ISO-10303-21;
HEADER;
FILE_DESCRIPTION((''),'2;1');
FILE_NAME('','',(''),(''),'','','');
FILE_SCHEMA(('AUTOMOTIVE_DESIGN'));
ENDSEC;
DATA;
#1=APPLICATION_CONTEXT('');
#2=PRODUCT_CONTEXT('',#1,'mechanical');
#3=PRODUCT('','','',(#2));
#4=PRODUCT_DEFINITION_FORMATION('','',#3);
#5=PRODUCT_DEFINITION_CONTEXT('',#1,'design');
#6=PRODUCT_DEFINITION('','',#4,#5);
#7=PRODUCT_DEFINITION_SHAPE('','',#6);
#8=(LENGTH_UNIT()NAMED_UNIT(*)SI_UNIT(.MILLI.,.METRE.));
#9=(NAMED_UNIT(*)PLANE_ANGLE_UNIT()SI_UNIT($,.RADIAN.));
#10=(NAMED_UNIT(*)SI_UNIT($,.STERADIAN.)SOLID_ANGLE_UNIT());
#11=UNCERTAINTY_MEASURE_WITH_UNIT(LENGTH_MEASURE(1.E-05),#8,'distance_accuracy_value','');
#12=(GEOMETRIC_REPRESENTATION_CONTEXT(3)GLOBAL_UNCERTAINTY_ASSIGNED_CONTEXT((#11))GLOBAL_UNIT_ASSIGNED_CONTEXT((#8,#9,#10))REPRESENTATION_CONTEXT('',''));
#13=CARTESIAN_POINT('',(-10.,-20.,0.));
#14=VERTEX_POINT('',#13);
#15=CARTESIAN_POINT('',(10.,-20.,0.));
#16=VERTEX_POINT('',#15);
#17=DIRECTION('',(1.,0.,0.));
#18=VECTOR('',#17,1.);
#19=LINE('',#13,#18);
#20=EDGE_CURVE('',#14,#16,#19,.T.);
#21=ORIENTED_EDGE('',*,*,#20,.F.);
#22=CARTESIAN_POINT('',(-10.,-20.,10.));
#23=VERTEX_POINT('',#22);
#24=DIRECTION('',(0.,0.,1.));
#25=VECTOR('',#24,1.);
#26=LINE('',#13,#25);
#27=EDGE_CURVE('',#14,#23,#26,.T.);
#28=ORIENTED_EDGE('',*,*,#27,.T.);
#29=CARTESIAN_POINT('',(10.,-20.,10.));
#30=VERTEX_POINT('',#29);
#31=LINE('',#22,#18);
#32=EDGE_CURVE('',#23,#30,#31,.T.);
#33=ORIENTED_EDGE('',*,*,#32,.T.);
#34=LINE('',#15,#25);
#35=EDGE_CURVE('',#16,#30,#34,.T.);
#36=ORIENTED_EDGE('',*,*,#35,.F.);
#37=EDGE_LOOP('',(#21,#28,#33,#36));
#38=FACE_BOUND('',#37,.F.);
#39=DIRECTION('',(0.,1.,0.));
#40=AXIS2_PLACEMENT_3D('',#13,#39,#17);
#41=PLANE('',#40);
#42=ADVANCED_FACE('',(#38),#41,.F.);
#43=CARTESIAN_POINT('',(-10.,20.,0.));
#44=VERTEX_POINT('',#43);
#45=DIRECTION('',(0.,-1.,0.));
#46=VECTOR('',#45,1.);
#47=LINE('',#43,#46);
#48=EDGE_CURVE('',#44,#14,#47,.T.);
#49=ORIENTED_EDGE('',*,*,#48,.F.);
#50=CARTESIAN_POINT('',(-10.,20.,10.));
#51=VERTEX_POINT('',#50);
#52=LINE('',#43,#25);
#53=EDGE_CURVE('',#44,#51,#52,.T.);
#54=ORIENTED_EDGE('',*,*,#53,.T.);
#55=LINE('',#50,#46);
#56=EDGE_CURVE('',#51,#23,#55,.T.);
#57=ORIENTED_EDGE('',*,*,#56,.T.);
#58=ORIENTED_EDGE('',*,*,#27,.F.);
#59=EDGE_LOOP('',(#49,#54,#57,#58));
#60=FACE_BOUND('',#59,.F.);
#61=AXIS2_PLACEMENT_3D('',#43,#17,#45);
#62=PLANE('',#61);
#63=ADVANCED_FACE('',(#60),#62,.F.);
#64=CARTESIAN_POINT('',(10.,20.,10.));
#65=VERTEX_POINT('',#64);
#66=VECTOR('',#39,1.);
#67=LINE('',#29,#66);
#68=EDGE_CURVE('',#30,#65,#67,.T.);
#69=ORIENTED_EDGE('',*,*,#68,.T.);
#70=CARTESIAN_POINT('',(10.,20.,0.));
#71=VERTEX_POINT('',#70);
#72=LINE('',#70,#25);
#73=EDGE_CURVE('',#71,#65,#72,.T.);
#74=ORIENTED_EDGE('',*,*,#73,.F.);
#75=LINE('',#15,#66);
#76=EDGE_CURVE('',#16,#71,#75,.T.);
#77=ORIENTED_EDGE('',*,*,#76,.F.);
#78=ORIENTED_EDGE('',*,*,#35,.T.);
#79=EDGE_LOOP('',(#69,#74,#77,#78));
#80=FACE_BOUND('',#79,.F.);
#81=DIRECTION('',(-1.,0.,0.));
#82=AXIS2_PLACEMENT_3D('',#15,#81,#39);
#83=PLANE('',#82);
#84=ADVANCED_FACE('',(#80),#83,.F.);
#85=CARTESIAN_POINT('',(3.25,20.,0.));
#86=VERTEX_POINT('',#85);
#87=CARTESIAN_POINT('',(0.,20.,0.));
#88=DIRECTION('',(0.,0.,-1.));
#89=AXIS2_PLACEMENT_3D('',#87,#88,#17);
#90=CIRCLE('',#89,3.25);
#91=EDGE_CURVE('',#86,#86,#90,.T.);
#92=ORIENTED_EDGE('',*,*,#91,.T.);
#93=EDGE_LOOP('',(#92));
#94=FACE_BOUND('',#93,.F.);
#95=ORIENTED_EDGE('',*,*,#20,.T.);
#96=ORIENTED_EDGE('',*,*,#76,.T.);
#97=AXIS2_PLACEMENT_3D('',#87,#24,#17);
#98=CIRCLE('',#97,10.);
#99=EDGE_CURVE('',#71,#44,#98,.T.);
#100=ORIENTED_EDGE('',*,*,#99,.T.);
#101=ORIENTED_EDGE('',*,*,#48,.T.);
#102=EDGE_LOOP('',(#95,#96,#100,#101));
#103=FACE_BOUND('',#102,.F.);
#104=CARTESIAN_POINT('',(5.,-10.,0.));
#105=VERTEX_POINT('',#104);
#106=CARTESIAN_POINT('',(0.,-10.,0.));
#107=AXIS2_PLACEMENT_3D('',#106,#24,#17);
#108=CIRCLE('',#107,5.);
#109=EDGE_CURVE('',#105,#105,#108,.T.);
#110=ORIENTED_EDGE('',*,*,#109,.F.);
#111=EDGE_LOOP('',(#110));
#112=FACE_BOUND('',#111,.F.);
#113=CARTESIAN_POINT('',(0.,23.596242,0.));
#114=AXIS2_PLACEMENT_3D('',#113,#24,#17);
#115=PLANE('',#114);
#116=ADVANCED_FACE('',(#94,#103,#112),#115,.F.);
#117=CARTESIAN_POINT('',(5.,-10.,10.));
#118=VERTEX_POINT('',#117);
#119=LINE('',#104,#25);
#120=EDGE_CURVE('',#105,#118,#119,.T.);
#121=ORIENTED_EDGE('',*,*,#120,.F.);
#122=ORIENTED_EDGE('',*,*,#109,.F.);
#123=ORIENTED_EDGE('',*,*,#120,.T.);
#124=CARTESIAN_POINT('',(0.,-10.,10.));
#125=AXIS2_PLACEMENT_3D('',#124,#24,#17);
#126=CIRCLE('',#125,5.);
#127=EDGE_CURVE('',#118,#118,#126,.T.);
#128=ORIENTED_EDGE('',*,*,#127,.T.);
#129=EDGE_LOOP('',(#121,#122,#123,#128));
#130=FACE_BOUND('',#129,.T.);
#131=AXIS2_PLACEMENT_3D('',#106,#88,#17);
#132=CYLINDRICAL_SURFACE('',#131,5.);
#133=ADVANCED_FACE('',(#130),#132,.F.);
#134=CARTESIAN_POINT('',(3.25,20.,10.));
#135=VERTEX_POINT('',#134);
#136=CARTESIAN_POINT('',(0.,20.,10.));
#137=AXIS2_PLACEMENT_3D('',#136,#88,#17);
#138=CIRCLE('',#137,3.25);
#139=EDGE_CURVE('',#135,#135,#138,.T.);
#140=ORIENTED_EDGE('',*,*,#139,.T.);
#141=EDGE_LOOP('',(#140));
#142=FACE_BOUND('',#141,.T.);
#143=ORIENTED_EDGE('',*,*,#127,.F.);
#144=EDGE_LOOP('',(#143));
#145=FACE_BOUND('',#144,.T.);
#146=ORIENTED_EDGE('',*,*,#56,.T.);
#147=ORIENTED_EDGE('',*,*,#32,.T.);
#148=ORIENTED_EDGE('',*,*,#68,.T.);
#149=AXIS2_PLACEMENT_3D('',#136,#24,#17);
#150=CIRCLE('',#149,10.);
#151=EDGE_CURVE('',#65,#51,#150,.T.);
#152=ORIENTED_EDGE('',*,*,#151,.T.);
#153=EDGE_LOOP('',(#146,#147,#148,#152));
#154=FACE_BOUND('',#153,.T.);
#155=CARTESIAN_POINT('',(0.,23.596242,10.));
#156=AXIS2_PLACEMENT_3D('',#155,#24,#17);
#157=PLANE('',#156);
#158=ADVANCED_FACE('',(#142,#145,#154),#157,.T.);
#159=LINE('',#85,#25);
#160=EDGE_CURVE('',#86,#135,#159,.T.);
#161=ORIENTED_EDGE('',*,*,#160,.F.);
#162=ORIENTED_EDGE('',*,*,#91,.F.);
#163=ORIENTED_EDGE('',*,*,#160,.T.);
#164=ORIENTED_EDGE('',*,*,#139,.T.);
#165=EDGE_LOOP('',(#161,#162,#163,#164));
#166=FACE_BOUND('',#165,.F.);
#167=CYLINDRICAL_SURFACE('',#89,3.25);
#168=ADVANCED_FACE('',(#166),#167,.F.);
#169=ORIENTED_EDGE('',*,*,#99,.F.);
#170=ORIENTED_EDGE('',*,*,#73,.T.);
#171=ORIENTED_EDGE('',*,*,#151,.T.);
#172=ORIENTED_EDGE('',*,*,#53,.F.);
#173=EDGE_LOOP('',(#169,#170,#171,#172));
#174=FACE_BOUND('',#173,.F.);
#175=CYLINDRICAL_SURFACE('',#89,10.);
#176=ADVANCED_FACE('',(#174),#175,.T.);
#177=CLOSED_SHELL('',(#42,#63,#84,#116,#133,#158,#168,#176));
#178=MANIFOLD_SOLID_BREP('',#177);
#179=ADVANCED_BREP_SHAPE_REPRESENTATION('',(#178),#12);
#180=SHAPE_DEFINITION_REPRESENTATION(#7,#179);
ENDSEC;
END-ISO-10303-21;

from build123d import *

# Parameters (mm, degrees)
F0_R     = 5
F1_DEPTH = 10


with BuildPart() as f1:
    # F0 (on Top) → F1 (new body)
    with BuildSketch(Plane.XY):
        with BuildLine():
            Line((3.25, 20), (10, 20))
            ThreePointArc((10, 20), (0, 30), (-10, 20))
            Line((-10, 20), (-3.25, 20))
            ThreePointArc((-3.25, 20), (0, 23.25), (3.25, 20))
        make_face()
        with BuildLine():
            Line((-10, -20), (10, -20))
            Line((10, -20), (10, 20))
            Line((10, 20), (3.25, 20))
            ThreePointArc((3.25, 20), (0, 16.75), (-3.25, 20))
            Line((-3.25, 20), (-10, 20))
            Line((-10, 20), (-10, -20))
        make_face()
        with Locations((0, -10)):
            Circle(F0_R, mode=Mode.SUBTRACT)
    extrude(amount=F1_DEPTH)


solid = f1.part
